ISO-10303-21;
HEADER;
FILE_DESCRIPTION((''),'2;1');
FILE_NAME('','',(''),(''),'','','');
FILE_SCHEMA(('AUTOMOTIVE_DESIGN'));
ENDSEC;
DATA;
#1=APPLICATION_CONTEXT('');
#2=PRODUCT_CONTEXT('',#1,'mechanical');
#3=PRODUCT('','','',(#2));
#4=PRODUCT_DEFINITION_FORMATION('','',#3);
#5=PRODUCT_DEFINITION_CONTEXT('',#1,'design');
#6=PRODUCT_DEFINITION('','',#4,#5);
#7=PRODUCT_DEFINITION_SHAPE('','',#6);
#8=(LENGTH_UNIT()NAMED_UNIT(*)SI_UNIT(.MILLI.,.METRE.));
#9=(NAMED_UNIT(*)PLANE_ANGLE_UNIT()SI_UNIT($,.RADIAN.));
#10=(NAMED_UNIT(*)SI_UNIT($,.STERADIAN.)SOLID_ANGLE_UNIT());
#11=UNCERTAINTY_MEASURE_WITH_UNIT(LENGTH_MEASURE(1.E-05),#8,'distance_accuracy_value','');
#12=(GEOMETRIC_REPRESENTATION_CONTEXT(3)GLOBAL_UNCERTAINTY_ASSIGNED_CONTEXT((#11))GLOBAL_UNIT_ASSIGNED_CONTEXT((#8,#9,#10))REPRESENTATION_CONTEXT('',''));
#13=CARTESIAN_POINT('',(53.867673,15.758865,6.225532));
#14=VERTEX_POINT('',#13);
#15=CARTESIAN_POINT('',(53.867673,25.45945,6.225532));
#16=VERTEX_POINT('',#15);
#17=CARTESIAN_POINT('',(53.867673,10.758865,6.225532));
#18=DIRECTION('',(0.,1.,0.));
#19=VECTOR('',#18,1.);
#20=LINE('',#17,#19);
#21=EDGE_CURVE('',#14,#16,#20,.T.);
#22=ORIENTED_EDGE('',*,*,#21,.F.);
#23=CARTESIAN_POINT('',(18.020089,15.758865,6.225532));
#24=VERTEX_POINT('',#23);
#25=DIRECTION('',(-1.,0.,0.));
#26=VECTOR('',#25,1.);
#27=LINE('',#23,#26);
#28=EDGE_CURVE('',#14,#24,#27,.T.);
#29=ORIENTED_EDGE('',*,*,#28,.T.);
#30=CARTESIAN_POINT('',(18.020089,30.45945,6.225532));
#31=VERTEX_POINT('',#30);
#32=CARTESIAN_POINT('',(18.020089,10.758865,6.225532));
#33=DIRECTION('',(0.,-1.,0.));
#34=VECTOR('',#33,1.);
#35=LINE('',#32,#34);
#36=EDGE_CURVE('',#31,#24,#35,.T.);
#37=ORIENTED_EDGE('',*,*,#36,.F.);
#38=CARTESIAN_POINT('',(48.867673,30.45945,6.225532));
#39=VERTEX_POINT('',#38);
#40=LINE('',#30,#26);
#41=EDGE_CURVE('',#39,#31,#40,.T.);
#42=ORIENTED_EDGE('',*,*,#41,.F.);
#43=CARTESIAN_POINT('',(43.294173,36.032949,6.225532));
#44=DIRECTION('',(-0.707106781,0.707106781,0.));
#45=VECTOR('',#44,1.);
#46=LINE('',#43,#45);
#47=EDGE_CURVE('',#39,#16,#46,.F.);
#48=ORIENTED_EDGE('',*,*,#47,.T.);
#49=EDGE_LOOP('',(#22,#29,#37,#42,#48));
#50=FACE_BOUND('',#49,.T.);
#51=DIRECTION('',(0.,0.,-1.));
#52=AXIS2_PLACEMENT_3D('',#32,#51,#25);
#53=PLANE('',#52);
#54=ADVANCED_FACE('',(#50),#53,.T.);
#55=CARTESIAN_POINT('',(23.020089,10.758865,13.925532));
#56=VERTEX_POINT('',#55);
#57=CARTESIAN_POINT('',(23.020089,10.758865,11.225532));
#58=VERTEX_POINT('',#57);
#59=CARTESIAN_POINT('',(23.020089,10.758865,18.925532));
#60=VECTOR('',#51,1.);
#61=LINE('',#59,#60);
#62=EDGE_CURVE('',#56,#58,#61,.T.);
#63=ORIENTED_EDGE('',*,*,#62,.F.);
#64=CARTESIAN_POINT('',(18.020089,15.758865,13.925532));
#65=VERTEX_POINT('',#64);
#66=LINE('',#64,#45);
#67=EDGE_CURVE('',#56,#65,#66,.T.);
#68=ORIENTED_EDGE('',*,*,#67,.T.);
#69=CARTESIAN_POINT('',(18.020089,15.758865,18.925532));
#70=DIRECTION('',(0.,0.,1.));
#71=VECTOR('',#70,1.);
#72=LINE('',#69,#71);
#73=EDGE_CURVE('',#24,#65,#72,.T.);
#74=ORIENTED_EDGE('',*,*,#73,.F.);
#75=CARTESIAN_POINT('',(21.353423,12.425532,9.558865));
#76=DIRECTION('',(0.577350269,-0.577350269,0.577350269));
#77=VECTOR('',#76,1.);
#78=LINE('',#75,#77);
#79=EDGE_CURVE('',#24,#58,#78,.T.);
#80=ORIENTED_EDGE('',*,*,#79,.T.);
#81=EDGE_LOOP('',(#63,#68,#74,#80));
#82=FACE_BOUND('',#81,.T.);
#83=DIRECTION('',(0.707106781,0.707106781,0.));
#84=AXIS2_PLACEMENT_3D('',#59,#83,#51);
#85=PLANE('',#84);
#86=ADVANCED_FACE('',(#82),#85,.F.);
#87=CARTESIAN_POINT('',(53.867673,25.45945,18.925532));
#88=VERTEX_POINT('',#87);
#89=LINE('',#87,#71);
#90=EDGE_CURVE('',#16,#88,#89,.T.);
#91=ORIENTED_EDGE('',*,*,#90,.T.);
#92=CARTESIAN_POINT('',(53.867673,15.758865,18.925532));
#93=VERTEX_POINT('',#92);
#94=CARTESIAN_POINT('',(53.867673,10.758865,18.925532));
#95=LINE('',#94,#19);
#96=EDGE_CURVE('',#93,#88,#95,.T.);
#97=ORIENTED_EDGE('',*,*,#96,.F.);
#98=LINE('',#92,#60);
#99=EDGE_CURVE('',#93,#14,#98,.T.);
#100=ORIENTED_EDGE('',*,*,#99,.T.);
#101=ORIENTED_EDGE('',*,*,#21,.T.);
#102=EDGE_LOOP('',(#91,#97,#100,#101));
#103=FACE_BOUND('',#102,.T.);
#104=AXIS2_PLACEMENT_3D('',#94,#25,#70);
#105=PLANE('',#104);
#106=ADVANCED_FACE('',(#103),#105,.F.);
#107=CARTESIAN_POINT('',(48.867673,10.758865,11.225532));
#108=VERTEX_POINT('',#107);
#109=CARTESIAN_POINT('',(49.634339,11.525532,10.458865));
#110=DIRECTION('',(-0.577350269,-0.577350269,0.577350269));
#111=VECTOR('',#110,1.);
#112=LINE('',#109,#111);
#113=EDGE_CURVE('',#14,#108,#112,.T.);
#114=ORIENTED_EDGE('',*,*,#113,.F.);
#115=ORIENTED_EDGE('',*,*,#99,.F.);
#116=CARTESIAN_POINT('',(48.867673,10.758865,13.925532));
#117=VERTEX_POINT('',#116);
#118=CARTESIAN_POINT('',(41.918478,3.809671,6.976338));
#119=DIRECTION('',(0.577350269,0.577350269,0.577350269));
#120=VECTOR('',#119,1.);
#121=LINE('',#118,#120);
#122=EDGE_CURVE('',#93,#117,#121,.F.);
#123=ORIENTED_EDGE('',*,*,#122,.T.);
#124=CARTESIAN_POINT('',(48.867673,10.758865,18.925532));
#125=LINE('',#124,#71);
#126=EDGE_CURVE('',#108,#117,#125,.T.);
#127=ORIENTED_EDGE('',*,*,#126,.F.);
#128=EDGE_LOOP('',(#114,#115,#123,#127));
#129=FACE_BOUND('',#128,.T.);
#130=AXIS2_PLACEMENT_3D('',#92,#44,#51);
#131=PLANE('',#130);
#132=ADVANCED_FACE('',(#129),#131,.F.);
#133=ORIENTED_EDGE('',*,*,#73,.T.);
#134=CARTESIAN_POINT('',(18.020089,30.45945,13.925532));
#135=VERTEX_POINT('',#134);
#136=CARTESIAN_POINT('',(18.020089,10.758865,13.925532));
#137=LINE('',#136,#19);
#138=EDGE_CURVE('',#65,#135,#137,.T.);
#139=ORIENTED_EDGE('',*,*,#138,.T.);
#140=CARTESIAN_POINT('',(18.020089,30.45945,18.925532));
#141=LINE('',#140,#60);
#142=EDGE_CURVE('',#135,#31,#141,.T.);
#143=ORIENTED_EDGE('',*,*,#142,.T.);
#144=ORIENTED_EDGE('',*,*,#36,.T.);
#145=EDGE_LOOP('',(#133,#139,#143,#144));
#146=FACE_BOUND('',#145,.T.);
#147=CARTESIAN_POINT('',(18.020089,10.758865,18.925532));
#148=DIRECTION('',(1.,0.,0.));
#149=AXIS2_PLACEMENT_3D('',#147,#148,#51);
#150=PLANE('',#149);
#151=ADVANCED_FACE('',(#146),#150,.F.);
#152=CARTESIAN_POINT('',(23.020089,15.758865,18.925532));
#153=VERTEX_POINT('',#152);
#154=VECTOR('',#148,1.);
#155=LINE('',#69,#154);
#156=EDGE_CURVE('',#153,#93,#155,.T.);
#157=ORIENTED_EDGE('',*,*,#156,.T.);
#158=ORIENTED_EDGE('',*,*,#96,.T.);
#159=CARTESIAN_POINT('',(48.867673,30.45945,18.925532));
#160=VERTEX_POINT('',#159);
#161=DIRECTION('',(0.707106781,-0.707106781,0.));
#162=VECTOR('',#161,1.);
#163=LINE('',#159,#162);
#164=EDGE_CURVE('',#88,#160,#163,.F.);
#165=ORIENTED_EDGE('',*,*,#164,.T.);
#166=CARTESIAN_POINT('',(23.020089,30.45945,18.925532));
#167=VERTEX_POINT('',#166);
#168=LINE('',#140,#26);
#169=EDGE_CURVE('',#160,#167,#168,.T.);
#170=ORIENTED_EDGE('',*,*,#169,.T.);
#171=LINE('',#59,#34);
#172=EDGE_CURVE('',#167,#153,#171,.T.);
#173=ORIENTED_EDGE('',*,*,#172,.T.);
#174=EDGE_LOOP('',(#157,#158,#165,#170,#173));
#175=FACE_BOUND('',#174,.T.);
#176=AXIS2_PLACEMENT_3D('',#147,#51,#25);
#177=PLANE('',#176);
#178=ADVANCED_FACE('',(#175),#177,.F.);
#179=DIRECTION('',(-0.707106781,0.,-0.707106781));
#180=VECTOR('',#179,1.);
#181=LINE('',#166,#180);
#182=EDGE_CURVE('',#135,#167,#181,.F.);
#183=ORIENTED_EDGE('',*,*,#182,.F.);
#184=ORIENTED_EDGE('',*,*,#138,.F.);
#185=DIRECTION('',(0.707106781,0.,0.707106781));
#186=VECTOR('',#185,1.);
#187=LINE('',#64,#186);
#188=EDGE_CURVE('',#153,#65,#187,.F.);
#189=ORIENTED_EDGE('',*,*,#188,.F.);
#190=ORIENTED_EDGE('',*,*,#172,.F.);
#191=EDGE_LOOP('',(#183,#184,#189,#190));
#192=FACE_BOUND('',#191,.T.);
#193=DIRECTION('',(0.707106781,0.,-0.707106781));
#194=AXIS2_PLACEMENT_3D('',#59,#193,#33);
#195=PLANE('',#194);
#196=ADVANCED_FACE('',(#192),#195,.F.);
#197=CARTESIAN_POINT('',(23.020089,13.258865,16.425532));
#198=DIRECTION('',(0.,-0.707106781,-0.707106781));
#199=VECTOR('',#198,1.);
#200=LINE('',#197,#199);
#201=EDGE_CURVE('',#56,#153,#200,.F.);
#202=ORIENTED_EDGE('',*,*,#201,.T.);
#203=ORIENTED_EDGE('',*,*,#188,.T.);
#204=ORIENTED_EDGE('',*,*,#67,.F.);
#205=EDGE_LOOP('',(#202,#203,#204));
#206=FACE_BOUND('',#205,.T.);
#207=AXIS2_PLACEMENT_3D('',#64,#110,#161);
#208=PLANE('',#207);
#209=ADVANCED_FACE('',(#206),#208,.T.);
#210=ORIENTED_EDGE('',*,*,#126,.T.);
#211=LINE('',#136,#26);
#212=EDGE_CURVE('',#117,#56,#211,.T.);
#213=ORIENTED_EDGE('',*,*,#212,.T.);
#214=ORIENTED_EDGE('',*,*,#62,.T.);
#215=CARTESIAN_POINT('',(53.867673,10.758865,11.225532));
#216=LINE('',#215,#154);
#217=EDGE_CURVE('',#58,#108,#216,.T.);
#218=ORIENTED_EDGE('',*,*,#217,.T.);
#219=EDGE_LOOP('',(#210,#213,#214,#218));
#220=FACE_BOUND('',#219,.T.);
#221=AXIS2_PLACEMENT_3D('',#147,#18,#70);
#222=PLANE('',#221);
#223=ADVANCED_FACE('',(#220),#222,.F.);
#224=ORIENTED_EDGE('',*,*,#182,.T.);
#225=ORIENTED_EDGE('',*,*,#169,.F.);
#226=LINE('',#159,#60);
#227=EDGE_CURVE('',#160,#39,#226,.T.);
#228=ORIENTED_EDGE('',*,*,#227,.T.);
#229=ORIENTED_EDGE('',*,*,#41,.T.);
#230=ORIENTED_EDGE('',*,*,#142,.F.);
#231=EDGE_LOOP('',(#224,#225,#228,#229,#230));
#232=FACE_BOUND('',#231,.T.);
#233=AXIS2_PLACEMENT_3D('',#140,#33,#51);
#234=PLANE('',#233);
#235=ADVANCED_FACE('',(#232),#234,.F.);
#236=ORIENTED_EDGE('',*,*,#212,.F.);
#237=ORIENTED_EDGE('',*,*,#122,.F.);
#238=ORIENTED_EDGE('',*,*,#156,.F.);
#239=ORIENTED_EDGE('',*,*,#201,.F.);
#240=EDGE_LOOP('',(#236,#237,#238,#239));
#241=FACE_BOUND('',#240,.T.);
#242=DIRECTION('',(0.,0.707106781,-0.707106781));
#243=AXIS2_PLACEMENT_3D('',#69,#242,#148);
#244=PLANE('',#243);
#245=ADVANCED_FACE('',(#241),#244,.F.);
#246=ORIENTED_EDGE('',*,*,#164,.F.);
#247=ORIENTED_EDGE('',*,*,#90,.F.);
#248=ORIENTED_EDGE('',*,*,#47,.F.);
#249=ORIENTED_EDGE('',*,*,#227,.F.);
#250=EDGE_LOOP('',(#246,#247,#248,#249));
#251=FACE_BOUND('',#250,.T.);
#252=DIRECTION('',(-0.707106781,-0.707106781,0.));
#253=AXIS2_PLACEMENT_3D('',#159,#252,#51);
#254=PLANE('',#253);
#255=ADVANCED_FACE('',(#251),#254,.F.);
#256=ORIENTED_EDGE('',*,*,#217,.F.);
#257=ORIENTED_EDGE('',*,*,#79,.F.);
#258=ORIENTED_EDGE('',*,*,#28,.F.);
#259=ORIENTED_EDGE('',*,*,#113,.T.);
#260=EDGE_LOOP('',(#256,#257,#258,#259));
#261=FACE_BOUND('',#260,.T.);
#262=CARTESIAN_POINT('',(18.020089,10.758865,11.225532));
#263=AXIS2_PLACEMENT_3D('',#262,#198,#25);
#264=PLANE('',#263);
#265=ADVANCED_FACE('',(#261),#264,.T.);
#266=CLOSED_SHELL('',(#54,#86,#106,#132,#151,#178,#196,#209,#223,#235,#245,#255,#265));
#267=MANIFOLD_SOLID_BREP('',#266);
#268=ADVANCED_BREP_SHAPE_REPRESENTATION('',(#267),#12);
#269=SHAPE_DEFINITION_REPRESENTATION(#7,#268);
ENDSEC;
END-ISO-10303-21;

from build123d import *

# Parameters (mm, degrees)
SKETCH1_W           = 71.695166663
SKETCH1_H           = 39.401169853
BOSS_EXTRUDE1_DEPTH = 25.4
CHAMFER1_SIZE       = 10
SCALE1_SCALE        = 0.5


with BuildPart() as part:
    # Sketch1 → Boss-Extrude1 (new body)
    with BuildSketch(Plane.XY):
        with Locations((35.847583332, 19.700584926)):
            Rectangle(SKETCH1_W, SKETCH1_H)
    extrude(amount=BOSS_EXTRUDE1_DEPTH)

    # Chamfer1
    chamfer1_edges = [part.edges().sort_by_distance(p)[0] for p in [
        (0, 19.700584926, 25.4),
        (35.847583331, 0, 0),
        (71.695166663, 39.401169853, 12.7),
        (71.695166663, 0, 12.7),
        (0, 0, 12.7),
        (35.847583331, 0, 25.4),
    ]]
    chamfer(chamfer1_edges, length=CHAMFER1_SIZE)


with BuildPart() as part_1:
    # Scale1: scaled about (36.040178536, 21.517729934, 12.451063985)
    add(part.part.scale(SCALE1_SCALE).moved(Location((18.020089268, 10.758864967, 6.225531992))))


solid = part_1.part
